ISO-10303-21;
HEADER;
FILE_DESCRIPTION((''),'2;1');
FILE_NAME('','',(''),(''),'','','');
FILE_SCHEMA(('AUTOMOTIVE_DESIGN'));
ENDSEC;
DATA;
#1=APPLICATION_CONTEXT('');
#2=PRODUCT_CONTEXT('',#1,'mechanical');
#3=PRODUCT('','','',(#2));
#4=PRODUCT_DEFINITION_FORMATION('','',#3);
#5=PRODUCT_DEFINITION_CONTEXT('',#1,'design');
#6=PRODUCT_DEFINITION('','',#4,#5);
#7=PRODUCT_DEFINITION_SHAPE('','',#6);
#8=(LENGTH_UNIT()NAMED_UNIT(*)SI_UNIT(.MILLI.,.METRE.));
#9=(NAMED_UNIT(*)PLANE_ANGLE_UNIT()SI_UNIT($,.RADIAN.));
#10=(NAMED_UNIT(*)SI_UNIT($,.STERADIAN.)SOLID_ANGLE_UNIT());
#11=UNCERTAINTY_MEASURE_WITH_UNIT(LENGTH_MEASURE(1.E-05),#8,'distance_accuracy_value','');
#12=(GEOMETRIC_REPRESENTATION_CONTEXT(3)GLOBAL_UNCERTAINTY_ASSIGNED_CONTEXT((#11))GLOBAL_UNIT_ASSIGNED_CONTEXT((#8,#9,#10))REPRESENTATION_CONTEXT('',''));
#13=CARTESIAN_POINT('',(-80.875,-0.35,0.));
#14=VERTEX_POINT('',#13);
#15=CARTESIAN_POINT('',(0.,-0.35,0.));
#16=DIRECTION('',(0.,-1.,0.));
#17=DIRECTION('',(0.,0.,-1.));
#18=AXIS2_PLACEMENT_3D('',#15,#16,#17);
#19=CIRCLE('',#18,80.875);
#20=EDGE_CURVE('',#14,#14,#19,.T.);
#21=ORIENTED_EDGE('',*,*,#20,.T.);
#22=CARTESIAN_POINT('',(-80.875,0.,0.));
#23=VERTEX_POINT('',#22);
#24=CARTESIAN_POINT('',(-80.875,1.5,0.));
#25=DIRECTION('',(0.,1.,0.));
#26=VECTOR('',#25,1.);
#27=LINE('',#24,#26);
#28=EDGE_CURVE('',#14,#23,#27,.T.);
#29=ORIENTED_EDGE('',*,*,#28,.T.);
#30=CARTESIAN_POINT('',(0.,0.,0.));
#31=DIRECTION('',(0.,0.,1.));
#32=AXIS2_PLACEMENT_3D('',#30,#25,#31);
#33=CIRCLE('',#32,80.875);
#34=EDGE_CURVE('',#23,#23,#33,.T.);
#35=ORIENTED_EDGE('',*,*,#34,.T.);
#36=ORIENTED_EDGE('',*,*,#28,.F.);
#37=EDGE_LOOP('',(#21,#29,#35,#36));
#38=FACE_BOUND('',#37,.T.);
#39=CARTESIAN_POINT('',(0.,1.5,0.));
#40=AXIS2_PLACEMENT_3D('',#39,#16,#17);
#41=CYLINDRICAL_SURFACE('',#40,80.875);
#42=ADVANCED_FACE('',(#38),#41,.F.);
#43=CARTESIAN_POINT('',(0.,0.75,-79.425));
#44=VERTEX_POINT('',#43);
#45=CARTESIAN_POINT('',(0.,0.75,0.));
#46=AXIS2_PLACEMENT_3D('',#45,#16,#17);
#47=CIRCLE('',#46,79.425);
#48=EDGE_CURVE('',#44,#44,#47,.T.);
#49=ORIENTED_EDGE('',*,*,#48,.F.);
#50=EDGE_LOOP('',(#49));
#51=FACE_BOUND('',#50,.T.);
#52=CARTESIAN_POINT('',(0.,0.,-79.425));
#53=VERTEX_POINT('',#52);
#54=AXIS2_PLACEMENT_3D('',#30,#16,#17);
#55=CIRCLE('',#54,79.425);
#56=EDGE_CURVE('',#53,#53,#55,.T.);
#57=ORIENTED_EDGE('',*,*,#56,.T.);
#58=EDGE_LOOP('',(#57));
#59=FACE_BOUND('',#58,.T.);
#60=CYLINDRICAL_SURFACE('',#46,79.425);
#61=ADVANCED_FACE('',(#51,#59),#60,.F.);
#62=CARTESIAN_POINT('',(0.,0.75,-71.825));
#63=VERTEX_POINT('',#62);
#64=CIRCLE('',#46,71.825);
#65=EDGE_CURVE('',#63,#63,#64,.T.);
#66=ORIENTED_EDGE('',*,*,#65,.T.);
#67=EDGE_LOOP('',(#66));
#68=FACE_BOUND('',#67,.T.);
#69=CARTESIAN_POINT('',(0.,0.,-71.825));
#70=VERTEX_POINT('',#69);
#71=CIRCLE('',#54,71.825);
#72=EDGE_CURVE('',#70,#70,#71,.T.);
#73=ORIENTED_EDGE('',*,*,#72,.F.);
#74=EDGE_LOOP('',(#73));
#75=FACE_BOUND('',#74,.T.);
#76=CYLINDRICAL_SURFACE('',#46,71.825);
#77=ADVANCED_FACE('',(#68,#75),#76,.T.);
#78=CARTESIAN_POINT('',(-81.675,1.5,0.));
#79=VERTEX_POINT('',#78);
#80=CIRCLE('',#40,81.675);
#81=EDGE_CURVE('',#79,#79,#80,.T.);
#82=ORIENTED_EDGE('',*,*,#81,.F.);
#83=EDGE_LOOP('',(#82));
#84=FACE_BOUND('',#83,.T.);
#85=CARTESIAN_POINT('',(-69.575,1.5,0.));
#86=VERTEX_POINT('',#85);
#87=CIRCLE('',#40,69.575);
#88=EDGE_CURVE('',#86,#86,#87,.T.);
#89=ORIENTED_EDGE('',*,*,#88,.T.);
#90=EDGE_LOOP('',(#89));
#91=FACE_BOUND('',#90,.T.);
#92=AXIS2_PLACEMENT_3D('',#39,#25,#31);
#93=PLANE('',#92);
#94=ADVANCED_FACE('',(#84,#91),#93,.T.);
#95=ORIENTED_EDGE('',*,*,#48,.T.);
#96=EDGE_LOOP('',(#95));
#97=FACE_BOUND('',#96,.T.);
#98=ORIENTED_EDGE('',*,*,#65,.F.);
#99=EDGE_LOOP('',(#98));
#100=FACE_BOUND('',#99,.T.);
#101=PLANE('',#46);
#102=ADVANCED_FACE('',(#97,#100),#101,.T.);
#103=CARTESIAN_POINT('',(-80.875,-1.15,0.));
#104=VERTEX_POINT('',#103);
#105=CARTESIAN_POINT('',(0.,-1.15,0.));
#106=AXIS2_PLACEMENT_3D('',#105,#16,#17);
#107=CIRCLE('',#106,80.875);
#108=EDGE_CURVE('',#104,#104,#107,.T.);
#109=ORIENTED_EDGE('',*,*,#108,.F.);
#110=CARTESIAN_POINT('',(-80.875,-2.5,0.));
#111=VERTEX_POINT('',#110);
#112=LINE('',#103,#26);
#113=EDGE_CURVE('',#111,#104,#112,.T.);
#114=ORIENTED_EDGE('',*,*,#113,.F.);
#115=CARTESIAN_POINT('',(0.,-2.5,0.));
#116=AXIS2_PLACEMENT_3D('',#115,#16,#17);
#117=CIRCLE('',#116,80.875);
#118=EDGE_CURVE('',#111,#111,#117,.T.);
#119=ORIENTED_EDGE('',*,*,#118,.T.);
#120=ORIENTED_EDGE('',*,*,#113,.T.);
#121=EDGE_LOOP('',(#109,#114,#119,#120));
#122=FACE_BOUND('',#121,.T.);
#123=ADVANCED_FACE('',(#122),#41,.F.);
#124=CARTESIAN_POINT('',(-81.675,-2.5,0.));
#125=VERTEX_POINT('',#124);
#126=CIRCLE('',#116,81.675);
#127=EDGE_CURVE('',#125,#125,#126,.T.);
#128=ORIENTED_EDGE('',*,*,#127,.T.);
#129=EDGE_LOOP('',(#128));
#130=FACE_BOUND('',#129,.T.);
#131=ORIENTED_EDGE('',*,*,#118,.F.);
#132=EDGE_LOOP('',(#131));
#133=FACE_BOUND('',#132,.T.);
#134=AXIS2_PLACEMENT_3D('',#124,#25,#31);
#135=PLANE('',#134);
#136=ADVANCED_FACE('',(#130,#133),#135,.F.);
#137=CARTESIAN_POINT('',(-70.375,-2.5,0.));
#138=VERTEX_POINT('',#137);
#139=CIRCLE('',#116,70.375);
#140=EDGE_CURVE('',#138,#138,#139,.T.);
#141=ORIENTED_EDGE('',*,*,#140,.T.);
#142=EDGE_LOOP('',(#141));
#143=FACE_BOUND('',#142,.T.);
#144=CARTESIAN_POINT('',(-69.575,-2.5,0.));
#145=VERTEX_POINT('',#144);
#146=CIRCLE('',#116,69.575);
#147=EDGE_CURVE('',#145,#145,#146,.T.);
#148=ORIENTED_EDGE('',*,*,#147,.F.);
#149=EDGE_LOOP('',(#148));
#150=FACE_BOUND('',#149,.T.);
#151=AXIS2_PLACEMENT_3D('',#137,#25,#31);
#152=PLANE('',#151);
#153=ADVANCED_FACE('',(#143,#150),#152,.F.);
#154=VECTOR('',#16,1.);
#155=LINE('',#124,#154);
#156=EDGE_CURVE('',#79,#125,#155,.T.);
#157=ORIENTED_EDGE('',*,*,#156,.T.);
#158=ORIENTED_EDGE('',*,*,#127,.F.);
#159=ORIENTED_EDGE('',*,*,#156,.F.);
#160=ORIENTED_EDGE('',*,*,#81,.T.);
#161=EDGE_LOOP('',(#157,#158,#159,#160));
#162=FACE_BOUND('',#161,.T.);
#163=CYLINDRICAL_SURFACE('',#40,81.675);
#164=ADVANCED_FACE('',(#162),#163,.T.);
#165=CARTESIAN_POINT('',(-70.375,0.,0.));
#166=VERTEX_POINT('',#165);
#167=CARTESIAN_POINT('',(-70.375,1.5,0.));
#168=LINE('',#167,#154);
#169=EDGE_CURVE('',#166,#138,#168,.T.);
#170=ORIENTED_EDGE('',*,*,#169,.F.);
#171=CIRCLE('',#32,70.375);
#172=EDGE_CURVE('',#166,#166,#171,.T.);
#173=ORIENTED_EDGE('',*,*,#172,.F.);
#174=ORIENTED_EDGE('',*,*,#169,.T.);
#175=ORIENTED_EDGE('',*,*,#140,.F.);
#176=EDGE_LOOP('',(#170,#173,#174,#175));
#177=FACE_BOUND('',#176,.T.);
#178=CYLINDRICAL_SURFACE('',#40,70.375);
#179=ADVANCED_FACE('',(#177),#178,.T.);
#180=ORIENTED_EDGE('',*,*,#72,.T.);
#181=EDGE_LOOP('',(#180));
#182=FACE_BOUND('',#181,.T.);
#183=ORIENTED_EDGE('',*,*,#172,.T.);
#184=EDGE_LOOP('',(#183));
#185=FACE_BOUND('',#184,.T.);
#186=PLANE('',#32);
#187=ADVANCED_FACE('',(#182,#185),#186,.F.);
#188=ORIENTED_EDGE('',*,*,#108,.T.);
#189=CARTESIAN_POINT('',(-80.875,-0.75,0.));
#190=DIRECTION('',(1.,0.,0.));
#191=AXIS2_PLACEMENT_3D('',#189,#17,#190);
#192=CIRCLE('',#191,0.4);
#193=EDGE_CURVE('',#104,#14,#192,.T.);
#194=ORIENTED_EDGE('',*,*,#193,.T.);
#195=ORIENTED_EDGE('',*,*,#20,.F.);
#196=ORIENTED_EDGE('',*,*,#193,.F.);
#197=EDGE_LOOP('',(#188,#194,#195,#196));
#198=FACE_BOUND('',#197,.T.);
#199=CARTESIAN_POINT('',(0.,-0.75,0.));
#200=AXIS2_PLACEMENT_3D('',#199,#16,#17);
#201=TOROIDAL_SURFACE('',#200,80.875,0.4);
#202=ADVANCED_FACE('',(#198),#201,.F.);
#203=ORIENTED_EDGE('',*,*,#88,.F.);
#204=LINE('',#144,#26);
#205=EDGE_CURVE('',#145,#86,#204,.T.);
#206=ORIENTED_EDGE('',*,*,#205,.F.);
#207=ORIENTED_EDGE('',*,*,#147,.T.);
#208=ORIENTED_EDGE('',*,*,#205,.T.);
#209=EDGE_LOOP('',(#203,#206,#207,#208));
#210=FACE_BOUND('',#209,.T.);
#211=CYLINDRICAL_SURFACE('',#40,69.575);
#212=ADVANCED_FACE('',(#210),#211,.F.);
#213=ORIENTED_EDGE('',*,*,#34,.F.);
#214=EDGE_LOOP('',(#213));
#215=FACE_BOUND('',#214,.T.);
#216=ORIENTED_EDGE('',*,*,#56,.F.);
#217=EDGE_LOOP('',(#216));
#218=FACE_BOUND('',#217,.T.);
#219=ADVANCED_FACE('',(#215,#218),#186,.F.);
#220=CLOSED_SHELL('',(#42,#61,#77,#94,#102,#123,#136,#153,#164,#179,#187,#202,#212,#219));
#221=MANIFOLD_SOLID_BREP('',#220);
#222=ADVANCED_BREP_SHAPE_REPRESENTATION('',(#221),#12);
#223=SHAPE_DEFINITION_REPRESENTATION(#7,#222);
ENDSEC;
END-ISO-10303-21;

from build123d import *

# Parameters (mm, degrees)
RING_BASE_PROFILE_R        = 80.875
RING_BASE_PROFILE_R_2      = 70.375
RING_BASE_EXTRUSTION_DEPTH = 1.5
RING_LIP_PROFILE_W         = 0.8
RING_LIP_PROFILE_H         = 4
LED_CHANNEL_PROFILE_R      = 79.425
LED_CHANNEL_PROFILE_R_2    = 71.825
LED_CHANNEL_CUT_DEPTH      = 0.75


with BuildPart() as part:
    # Ring Base Profile → Ring Base Extrustion (new body)
    with BuildSketch(Plane(origin=(0, 0, 0), x_dir=(1, 0, 0), z_dir=(0, 1, 0))):
        with Locations(Location((0, 0, 0), (0, 0, 270))):
            Circle(RING_BASE_PROFILE_R)
        with Locations(Location((0, 0, 0), (0, 0, 270))):
            Circle(RING_BASE_PROFILE_R_2, mode=Mode.SUBTRACT)
    extrude(amount=RING_BASE_EXTRUSTION_DEPTH)

    # Ring Lip: sweep along a curve in space
    with BuildLine() as ring_lip_path:
        ThreePointArc((0, 1.5, 80.875), (57.187260928, 1.5, 57.187260928), (80.875, 1.5, 0))
        ThreePointArc((80.875, 1.5, 0), (57.187260928, 1.5, -57.187260928), (0, 1.5, -80.875))
        ThreePointArc((0, 1.5, -80.875), (-57.187260928, 1.5, -57.187260928), (-80.875, 1.5, 0))
        ThreePointArc((-80.875, 1.5, 0), (-57.187260928, 1.5, 57.187260928), (0, 1.5, 80.875))
    # Ring Lip Profile → Ring Lip (sweep)
    with BuildSketch(Plane.XY):
        with BuildLine():
            Line((-80.875, 1.5), (-80.875, -0.35))
            ThreePointArc((-80.875, -0.35), (-81.275, -0.75), (-80.875, -1.15))
            Line((-80.875, -1.15), (-80.875, -2.5))
            Line((-80.875, -2.5), (-81.675, -2.5))
            Line((-81.675, -2.5), (-81.675, 1.5))
            Line((-81.675, 1.5), (-80.875, 1.5))
        make_face()
        with Locations((-69.975, -0.5)):
            Rectangle(RING_LIP_PROFILE_W, RING_LIP_PROFILE_H)
    sweep(path=ring_lip_path.line)

    # LED Channel Profile → LED Channel Cut (cut)
    with BuildSketch(Plane.XZ):
        with Locations(Location((0, 0, 0), (0, 0, 270))):
            Circle(LED_CHANNEL_PROFILE_R)
        with Locations(Location((0, 0, 0), (0, 0, 270))):
            Circle(LED_CHANNEL_PROFILE_R_2, mode=Mode.SUBTRACT)
    extrude(amount=-LED_CHANNEL_CUT_DEPTH, mode=Mode.SUBTRACT)


solid = part.part
